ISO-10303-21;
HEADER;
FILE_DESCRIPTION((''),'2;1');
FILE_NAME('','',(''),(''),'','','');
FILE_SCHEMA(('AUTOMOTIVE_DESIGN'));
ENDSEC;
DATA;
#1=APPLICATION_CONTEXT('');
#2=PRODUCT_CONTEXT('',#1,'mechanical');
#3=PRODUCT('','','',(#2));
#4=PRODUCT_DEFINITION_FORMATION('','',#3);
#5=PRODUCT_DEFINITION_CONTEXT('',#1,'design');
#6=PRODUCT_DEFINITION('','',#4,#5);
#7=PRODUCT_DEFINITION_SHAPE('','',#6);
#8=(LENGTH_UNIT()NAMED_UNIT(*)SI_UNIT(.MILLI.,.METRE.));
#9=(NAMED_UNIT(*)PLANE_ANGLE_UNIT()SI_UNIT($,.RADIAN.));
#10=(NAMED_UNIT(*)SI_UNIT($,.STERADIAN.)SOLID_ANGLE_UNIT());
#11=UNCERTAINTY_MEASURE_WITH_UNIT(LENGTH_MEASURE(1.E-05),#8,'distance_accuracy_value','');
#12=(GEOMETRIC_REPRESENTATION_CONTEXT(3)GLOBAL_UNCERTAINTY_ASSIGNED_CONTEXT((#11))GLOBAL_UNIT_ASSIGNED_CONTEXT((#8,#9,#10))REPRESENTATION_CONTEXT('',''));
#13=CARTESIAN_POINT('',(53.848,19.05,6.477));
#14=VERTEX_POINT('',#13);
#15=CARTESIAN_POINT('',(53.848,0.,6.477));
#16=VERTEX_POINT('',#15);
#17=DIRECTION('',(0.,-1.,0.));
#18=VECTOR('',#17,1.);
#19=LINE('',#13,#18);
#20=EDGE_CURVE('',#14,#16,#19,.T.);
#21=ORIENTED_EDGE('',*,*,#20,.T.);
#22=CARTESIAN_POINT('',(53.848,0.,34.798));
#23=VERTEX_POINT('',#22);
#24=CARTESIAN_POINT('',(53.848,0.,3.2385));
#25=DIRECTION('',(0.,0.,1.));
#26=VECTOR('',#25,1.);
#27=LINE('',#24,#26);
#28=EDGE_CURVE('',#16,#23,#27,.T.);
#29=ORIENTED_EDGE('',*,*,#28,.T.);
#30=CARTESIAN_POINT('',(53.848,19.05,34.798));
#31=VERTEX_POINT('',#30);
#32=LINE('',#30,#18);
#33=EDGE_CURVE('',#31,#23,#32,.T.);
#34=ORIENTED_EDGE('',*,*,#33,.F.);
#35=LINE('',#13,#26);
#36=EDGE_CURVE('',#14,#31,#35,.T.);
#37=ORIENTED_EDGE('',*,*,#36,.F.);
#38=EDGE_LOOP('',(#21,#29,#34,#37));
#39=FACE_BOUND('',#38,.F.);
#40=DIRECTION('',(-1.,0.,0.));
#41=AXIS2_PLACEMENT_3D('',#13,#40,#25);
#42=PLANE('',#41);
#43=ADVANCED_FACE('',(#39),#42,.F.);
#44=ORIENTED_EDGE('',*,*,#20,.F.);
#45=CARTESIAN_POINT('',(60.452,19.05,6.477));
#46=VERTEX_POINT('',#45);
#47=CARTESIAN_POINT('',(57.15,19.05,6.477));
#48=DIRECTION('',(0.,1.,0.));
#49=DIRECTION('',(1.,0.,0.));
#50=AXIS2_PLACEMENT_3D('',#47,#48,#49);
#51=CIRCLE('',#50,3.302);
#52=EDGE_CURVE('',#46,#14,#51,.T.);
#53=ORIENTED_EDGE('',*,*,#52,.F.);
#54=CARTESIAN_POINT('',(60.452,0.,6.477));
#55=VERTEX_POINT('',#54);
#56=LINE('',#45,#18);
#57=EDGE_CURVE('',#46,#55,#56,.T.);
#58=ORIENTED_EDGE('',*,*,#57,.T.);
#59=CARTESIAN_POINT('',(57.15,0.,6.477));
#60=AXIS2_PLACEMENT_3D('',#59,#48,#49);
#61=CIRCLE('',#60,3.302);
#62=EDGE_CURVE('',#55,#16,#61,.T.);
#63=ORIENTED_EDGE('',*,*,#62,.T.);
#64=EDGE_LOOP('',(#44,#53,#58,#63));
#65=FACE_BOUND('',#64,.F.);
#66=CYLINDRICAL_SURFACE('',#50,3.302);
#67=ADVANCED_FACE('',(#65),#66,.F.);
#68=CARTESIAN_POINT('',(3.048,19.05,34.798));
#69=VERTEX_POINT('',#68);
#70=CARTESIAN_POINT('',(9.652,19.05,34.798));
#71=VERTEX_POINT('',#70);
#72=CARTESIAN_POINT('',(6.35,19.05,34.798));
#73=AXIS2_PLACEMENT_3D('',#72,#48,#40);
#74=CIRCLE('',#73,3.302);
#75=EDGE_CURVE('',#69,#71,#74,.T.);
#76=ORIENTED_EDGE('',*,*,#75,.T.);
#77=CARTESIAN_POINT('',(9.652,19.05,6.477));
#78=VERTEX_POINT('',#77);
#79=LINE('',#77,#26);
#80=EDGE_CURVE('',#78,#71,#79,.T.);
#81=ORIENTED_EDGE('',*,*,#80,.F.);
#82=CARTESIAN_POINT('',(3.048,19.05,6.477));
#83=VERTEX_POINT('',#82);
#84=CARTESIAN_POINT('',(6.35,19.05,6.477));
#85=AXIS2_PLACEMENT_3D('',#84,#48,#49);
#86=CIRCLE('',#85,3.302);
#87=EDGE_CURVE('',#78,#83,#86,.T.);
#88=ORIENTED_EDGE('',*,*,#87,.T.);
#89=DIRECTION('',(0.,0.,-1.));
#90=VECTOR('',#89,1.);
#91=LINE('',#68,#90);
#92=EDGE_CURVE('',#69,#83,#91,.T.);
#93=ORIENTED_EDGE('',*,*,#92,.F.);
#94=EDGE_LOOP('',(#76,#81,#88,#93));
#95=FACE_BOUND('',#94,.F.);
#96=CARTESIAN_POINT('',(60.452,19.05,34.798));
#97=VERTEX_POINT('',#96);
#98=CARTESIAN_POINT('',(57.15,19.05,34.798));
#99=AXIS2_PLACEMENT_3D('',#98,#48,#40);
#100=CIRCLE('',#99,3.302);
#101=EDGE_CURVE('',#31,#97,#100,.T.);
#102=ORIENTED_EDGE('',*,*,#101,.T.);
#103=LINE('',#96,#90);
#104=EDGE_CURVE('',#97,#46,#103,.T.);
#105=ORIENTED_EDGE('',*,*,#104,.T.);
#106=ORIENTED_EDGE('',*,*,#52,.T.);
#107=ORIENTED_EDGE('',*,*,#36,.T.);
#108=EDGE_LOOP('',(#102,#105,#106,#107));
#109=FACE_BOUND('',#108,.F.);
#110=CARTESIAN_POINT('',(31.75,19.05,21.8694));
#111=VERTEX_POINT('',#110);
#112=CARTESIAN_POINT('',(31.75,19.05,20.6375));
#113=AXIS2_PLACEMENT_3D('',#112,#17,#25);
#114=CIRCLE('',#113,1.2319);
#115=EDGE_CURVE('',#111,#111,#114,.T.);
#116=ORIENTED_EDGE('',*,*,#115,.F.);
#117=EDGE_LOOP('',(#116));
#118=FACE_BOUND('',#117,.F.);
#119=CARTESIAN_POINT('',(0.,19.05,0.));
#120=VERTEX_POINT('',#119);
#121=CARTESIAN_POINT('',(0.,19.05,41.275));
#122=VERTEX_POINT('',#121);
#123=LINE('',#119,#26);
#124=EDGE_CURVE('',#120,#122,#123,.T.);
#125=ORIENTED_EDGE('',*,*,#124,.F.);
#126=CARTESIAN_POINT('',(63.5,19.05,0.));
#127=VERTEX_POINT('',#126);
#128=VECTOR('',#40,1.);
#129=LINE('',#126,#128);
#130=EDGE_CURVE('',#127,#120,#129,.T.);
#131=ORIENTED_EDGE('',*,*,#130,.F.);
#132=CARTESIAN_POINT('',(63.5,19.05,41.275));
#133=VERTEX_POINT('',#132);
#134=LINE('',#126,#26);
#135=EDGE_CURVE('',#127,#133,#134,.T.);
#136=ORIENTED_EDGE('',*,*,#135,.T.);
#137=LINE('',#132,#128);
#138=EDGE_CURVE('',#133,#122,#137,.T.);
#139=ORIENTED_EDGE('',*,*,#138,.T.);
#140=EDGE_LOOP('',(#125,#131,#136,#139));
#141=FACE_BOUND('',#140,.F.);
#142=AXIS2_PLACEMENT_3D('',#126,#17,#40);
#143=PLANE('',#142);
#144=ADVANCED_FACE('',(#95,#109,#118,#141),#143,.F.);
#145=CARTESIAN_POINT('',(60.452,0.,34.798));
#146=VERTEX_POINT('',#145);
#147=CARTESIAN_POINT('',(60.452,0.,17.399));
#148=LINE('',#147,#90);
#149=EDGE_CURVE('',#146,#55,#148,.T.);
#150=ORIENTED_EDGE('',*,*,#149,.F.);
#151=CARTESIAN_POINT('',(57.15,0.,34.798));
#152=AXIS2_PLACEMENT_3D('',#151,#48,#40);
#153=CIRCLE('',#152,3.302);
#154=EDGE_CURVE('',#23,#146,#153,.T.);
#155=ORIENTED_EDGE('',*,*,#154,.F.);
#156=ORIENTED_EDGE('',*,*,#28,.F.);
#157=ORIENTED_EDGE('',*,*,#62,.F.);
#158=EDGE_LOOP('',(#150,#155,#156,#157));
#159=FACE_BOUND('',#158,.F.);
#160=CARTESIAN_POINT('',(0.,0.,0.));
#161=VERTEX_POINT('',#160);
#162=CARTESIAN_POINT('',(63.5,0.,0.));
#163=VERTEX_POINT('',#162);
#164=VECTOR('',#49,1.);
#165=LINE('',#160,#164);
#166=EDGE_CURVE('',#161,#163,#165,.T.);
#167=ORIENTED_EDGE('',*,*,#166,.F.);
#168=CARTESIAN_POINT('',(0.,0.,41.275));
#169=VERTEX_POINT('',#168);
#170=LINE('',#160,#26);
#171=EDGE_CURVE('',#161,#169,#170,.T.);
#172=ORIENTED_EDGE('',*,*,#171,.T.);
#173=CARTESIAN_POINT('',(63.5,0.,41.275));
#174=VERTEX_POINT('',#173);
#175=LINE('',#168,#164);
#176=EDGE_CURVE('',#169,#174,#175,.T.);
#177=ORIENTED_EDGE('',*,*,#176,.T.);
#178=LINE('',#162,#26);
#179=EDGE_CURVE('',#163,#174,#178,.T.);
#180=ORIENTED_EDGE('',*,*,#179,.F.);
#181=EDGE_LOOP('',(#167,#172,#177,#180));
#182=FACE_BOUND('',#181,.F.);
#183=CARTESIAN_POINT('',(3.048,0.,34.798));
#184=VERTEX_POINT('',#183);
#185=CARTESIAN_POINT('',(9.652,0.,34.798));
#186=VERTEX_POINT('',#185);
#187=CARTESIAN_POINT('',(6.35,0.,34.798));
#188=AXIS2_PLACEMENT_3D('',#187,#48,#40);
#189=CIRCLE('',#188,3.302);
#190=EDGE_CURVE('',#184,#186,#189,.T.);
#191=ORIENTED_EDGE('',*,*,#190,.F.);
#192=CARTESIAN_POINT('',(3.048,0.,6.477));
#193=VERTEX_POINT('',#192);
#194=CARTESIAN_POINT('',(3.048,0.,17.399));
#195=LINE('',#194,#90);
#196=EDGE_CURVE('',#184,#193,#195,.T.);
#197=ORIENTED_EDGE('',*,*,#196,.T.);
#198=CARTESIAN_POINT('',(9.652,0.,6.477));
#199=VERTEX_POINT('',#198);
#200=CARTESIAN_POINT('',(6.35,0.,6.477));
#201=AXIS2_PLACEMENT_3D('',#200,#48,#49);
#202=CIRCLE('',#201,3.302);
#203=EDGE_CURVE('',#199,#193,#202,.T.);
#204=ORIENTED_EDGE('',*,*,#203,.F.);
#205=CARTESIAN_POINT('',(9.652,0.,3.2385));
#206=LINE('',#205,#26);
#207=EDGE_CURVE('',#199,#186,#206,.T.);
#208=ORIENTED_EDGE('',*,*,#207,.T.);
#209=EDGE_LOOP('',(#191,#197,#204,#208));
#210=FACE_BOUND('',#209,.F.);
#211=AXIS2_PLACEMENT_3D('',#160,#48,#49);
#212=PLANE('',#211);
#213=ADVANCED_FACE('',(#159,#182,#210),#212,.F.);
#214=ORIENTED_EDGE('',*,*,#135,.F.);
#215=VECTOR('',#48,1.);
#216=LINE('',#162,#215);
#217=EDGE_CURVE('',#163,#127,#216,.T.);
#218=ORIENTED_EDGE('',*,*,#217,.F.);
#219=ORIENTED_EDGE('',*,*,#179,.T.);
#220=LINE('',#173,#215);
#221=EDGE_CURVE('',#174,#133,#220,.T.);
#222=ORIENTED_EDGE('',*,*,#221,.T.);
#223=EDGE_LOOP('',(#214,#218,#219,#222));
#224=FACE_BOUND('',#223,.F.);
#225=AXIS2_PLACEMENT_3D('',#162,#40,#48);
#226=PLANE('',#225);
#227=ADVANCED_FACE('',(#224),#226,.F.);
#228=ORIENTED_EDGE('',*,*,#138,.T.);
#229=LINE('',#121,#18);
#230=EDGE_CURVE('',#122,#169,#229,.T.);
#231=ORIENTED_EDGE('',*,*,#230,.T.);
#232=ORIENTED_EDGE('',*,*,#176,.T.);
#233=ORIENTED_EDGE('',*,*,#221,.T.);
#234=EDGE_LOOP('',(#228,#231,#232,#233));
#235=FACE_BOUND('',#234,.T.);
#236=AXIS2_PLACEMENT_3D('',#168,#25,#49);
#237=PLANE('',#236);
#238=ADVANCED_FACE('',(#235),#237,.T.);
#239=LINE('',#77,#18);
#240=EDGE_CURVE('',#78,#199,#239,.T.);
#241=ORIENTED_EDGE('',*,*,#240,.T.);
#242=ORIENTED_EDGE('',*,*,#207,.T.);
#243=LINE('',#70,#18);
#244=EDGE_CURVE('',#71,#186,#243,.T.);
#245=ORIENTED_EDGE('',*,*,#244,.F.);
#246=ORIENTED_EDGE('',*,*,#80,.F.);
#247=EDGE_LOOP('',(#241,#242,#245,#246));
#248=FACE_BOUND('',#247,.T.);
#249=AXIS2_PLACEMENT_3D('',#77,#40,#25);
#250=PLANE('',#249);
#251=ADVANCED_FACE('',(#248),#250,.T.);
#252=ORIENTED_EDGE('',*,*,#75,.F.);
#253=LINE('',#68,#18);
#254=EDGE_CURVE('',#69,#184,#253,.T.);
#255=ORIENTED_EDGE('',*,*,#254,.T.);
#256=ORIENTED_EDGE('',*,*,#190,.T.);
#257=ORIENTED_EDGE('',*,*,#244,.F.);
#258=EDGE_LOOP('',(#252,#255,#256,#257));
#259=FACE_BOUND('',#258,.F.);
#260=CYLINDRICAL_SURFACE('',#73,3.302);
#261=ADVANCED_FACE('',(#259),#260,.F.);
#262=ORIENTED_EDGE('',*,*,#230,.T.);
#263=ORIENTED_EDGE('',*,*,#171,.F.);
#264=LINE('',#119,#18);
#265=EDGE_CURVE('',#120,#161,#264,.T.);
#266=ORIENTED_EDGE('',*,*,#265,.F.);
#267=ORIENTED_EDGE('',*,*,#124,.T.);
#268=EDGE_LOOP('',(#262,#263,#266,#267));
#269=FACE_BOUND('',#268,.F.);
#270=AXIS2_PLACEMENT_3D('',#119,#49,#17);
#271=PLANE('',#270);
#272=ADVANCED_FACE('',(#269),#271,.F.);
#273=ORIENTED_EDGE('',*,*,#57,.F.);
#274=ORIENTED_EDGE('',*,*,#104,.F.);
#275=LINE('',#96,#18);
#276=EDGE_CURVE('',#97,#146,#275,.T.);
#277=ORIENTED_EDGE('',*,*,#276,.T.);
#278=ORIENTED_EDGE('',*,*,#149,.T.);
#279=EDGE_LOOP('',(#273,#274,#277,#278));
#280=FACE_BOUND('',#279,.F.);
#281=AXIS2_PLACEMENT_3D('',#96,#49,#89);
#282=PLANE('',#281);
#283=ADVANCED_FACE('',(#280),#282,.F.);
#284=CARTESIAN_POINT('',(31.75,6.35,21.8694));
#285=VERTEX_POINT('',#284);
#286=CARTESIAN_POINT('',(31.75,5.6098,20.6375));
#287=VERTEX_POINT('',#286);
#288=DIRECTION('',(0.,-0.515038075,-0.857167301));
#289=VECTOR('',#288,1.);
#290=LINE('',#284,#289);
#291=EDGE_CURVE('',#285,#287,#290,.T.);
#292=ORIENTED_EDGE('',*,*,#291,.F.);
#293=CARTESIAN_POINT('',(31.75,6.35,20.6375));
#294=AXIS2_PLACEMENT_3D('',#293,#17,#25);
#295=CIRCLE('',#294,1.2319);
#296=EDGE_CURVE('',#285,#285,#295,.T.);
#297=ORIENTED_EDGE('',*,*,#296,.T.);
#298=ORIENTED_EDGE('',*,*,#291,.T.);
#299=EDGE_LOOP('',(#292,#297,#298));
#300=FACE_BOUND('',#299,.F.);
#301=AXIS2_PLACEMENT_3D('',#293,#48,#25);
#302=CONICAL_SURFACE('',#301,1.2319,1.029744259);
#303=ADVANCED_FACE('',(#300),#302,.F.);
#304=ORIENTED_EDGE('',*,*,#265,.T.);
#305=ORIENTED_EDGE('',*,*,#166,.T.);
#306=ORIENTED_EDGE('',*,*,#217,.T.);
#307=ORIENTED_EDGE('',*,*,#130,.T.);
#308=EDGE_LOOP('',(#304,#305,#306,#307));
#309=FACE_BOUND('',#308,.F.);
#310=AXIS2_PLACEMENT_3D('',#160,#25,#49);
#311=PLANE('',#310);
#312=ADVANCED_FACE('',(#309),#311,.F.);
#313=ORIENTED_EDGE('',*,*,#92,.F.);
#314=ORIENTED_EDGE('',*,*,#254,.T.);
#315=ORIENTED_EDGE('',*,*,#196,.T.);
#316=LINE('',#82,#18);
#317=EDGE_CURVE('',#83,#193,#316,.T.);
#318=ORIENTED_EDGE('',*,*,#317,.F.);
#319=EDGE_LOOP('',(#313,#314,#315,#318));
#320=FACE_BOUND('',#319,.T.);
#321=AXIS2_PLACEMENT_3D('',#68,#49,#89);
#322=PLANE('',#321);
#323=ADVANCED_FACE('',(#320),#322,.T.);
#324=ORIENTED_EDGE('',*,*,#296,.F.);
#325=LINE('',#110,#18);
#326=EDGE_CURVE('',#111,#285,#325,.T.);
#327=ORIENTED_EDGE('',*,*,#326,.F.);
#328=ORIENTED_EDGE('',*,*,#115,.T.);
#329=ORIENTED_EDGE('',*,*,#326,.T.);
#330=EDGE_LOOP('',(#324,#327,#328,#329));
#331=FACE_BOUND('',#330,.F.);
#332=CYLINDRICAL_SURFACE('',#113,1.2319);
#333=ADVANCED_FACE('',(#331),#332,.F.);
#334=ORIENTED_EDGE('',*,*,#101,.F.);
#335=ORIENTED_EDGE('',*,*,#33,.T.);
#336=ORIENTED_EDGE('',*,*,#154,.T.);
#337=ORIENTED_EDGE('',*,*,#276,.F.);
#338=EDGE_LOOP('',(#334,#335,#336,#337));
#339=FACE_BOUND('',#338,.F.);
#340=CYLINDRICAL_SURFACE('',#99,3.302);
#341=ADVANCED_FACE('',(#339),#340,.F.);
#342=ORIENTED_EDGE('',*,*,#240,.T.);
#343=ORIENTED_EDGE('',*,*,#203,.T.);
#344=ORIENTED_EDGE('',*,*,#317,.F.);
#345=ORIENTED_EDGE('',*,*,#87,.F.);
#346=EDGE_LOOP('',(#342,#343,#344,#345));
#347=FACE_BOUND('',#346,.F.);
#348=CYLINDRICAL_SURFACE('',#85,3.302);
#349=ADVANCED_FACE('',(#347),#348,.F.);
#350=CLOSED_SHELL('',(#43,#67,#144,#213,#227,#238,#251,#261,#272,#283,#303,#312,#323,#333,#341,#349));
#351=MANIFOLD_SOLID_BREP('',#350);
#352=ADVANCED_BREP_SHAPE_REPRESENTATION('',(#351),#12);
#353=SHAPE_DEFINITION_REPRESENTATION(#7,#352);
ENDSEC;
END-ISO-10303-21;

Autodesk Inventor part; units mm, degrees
ref_plane "YZ Plane" through (0, 0, 0) normal (1, 0, 0) x (0, 1, 0)
ref_plane "XZ Plane" through (0, 0, 0) normal (0, 1, 0) x (-1, 0, 0)
ref_plane "XY Plane" through (0, 0, 0) normal (0, 0, 1) x (1, 0, 0)
sketch "Sketch1" plane through (0, 0, 0) normal (0, 0, 1) x (1, 0, 0)
  line L0 (0, 0) -> (63.5, 0)
  line L1 (63.5, 0) -> (63.5, 19.05)
  line L2 (63.5, 19.05) -> (0, 19.05)
  line L3 (0, 19.05) -> (0, 0)
  dimension "d2" = 63.5
  dimension "d3" = 19.05
extrude "Extrusion1" add sketch "Sketch1" along normal blind 41.275
sketch "Sketch2" plane through (0, 19.05, 0) normal (0, 1, 0) x (1, 0, 0)
  line L0 (63.5, 0) -> (0, 0) projected
  line L1 (0, 0) -> (0, -41.275) projected
  point P0 (31.75, -20.6375)
  dimension "d4" = 20.6375
  dimension "d5" = 31.75
hole "Hole1" at (31.75, 19.05, 20.6375) direction (0, -1, 0) diameter 2.4638 depth 12.7 tip angle 118
sketch "Sketch3" plane through (0, 19.05, 0) normal (0, 1, 0) x (1, 0, 0)
  line L0 (6.35, -34.798) -> (6.35, -6.477) construction
  line L1 (3.048, -34.798) -> (3.048, -6.477)
  line L2 (9.652, -6.477) -> (9.652, -34.798)
  arc A0 (3.048, -34.798) -> (9.652, -34.798) centre (6.35, -34.798) ccw
  arc A1 (9.652, -6.477) -> (3.048, -6.477) centre (6.35, -6.477) ccw
  line L3 (0, 0) -> (0, -41.275) projected
  line L4 (63.5, -41.275) -> (0, -41.275) projected
  line L5 (63.5, 0) -> (0, 0) projected
  circle A2 centre (31.75, -20.6375) radius 1.2319 projected
  circle A3 centre (31.75, -20.6375) radius 1.2319 projected
  line L6 (31.75, -20.6375) -> (31.75, 0) construction
  line L7 (57.15, -34.798) -> (57.15, -6.477) construction
  line L8 (60.452, -34.798) -> (60.452, -6.477)
  line L9 (53.848, -6.477) -> (53.848, -34.798)
  arc A4 (53.848, -34.798) -> (60.452, -34.798) centre (57.15, -34.798) ccw
  arc A5 (60.452, -6.477) -> (53.848, -6.477) centre (57.15, -6.477) ccw
  point P0 (6.35, -20.6375)
  point P1 (57.15, -20.6375)
  dimension "d13" = 6.604
  dimension "d15" = 3.175
  dimension "d16" = 3.175
  dimension "d17" = 25.4
extrude "Extrusion2" cut sketch "Sketch3" against normal blind 25.4 contours L1 A1 L2 A0 | A4 L9 A5 L8
properties part number "Track Foot" material "Aluminum 6061"
